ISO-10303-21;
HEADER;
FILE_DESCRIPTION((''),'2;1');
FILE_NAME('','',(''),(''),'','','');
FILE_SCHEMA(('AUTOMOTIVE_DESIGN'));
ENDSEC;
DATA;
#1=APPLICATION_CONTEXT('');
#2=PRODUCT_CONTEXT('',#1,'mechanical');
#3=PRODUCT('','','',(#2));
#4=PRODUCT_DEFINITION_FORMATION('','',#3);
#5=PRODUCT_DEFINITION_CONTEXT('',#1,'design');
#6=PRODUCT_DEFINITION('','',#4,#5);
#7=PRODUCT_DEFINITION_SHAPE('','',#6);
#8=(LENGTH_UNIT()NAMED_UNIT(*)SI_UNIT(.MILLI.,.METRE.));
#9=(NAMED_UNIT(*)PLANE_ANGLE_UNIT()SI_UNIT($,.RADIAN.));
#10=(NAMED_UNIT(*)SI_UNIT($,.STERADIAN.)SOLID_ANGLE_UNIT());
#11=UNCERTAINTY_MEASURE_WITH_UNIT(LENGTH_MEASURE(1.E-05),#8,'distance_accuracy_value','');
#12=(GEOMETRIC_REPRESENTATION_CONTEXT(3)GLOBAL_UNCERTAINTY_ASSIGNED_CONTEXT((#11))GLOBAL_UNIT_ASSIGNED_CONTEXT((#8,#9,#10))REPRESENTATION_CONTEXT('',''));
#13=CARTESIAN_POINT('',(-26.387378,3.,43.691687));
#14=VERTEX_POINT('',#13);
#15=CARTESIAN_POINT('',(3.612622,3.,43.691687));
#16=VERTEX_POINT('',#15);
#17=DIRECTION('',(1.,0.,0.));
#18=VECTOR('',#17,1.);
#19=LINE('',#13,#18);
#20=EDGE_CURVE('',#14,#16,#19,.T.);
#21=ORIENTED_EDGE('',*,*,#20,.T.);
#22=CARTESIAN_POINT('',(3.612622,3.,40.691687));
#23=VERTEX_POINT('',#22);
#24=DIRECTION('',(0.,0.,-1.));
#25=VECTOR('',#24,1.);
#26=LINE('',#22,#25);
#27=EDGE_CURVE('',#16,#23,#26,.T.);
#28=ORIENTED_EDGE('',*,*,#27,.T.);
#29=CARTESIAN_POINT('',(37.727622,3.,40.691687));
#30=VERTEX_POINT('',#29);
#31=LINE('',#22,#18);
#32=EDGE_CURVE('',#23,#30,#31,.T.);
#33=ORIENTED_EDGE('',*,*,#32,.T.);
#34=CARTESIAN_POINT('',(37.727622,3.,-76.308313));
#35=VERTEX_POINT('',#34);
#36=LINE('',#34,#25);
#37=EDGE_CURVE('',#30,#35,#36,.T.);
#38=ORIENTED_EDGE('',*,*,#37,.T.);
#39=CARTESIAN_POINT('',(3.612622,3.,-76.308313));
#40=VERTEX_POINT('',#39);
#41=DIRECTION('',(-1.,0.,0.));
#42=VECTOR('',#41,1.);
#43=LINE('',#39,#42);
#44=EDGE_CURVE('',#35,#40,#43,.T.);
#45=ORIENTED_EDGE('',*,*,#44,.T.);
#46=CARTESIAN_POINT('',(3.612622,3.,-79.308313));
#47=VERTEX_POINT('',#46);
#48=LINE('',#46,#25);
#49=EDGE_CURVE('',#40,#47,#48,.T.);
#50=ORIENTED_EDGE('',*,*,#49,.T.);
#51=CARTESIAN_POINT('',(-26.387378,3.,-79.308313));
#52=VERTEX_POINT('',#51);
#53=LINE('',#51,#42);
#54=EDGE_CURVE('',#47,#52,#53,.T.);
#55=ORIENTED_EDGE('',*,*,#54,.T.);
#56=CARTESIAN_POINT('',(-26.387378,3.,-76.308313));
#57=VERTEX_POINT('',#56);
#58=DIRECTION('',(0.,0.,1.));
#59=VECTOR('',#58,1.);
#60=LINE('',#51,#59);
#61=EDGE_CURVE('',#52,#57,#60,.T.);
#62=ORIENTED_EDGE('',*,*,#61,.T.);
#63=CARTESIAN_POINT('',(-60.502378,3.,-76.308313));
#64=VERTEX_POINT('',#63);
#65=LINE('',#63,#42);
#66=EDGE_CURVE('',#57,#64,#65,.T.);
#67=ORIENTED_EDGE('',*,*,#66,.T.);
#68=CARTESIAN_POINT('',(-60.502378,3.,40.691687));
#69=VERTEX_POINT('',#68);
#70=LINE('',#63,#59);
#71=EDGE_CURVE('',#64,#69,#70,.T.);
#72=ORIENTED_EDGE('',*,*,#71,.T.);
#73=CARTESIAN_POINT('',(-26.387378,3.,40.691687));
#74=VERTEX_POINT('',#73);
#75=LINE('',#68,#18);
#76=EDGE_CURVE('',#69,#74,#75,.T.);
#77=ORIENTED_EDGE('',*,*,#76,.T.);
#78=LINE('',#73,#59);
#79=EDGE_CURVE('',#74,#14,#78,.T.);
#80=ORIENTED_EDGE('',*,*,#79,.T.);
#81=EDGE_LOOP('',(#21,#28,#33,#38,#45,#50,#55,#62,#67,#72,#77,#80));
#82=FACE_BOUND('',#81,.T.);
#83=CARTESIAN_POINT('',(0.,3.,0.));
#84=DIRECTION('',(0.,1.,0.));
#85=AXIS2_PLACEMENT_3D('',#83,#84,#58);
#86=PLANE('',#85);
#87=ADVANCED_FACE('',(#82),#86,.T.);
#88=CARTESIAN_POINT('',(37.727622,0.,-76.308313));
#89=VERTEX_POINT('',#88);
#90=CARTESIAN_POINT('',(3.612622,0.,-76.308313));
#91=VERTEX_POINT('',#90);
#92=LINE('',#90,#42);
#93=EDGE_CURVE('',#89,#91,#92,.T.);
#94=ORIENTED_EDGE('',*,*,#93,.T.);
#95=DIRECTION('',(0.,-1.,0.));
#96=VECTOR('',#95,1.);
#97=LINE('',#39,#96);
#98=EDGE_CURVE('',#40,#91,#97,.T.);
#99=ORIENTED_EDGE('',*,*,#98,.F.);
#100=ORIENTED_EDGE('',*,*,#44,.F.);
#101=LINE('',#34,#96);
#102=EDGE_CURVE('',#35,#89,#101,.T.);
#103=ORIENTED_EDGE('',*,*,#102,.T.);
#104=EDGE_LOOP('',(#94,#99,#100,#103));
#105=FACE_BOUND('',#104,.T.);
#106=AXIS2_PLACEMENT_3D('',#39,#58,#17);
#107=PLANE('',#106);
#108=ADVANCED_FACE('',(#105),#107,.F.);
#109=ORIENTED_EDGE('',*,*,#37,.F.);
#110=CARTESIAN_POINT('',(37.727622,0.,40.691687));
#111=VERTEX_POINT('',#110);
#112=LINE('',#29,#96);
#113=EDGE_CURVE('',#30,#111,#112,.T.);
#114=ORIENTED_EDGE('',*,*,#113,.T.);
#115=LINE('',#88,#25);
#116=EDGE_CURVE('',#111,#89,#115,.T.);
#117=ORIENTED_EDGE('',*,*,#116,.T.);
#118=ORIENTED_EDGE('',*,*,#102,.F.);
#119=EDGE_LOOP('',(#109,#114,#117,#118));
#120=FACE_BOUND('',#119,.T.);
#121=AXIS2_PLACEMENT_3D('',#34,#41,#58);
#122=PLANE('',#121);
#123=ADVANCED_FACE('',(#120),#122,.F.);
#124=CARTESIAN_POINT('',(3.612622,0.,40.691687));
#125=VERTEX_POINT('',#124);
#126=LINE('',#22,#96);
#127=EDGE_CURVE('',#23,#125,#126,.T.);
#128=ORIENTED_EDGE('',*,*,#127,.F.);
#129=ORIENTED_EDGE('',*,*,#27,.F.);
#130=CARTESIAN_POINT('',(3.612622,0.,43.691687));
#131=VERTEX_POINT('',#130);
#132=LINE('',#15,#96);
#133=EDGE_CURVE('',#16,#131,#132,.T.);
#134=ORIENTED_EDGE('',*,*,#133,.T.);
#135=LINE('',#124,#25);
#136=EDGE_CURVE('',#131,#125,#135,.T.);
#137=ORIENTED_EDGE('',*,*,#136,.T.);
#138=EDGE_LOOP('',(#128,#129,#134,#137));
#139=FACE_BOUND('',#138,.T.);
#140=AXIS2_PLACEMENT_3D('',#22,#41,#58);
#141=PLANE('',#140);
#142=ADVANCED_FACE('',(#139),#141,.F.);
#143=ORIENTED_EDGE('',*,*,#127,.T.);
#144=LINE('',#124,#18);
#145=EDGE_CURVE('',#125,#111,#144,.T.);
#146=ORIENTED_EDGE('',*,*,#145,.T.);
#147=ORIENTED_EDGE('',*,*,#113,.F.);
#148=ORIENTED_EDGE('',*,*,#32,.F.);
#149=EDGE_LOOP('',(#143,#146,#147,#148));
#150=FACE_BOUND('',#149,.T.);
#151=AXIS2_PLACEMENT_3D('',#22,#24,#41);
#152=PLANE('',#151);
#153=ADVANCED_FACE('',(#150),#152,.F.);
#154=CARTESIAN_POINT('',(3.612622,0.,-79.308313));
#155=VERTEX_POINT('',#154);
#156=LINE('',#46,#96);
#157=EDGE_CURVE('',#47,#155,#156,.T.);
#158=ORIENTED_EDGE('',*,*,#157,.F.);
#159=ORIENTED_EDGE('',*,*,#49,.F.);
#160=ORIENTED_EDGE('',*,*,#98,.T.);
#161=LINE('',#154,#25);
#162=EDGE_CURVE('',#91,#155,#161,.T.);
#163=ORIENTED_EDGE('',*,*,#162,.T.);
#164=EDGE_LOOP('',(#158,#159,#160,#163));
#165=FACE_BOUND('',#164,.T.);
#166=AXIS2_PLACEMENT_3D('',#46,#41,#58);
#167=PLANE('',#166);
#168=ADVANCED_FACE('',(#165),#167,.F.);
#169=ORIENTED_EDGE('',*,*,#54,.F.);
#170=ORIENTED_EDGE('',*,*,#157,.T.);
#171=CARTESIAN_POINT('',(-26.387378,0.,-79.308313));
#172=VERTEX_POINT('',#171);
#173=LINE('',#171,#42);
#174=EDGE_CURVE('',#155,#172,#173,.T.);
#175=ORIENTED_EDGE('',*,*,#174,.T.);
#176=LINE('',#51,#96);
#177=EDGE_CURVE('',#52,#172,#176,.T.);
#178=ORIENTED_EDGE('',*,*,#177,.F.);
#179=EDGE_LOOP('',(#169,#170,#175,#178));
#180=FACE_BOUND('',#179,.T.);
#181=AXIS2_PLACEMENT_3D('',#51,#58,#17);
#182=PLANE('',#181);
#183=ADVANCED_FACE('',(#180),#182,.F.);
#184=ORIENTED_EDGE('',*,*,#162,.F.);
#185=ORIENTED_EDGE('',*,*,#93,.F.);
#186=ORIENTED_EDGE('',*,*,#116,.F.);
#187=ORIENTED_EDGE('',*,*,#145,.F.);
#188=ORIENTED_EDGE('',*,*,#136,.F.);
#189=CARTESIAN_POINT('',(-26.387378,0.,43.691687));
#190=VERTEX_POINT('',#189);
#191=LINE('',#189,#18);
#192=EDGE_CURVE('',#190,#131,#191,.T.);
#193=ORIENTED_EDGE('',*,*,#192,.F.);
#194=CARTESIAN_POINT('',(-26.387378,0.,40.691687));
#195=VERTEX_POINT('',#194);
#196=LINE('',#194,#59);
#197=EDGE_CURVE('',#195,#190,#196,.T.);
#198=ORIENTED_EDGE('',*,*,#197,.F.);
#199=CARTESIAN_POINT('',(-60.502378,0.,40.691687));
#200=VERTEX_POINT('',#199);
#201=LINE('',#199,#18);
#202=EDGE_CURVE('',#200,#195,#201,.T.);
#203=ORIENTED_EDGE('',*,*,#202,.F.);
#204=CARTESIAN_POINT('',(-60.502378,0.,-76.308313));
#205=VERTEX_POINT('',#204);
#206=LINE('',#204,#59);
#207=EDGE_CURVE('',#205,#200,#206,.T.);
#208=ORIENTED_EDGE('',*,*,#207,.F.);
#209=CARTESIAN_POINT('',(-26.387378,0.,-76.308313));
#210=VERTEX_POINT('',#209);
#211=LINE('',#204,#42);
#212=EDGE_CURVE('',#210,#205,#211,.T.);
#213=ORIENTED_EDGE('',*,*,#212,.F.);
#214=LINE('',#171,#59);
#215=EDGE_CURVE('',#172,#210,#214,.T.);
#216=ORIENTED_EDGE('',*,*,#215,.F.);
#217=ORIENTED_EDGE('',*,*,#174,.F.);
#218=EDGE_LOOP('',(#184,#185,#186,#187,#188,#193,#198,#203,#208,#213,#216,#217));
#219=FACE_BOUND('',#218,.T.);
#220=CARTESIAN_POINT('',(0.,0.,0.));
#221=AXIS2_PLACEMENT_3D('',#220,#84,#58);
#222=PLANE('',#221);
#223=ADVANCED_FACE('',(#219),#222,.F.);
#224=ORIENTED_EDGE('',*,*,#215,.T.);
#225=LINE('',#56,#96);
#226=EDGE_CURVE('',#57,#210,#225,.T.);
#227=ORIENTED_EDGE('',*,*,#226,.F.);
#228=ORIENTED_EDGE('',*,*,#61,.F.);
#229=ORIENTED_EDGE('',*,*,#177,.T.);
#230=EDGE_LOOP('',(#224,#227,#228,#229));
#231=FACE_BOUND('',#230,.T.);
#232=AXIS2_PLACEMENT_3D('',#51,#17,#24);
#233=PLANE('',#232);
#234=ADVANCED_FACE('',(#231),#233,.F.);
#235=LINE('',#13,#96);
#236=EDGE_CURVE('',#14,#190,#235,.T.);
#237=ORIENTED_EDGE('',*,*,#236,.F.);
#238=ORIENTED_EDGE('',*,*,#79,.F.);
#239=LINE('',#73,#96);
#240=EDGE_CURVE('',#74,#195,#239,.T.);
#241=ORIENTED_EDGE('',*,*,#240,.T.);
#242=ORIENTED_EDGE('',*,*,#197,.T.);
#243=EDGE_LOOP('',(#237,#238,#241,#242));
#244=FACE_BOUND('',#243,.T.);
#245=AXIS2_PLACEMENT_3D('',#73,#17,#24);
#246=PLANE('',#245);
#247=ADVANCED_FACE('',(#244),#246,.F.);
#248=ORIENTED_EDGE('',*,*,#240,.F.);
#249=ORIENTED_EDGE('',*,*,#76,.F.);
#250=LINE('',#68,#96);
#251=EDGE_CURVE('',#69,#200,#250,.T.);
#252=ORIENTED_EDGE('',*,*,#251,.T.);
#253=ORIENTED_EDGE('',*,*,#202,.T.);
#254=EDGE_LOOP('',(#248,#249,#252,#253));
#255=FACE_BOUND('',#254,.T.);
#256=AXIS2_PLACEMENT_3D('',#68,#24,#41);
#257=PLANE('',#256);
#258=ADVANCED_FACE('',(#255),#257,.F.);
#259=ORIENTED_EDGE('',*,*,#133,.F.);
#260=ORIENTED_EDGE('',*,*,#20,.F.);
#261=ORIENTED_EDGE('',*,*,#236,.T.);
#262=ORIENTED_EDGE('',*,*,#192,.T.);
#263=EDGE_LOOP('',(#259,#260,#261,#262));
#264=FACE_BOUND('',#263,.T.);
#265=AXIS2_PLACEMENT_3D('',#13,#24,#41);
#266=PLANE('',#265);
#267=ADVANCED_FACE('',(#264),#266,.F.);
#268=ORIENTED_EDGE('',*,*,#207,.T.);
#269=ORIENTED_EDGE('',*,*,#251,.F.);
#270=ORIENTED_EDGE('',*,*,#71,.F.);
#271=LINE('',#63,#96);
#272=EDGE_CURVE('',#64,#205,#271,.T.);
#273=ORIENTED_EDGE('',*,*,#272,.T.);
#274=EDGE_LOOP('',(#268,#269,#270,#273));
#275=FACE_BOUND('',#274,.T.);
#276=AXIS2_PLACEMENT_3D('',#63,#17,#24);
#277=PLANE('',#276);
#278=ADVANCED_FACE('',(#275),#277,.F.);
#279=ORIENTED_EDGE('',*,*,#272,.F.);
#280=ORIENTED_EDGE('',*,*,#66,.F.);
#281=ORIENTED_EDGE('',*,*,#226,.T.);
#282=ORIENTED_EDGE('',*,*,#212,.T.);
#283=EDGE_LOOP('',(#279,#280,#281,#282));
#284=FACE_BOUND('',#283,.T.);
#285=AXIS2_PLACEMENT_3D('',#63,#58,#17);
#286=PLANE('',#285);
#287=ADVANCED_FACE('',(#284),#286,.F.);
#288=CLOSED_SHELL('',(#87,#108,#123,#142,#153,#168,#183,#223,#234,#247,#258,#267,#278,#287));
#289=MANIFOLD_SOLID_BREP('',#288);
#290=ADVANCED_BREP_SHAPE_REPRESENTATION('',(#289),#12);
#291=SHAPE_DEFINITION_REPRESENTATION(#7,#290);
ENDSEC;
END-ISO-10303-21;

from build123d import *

# Parameters (mm, degrees)
BOSS_EXTRUDE1_DEPTH = 3


with BuildPart() as part:
    # Sketch1 → Boss-Extrude1 (new body)
    with BuildSketch(Plane(origin=(0, 0, 0), x_dir=(1, 0, 0), z_dir=(0, 1, 0))):
        Polygon((-60.502378178, 76.308313029), (-26.387378178, 76.308313029), (-26.387378178, 79.308313029), (3.612621822, 79.308313029), (3.612621822, 76.308313029), (37.727621822, 76.308313029), (37.727621822, -40.691686971), (3.612621822, -40.691686971), (3.612621822, -43.691686971), (-26.387378178, -43.691686971), (-26.387378178, -40.691686971), (-60.502378178, -40.691686971), align=None)
    extrude(amount=BOSS_EXTRUDE1_DEPTH)


solid = part.part
